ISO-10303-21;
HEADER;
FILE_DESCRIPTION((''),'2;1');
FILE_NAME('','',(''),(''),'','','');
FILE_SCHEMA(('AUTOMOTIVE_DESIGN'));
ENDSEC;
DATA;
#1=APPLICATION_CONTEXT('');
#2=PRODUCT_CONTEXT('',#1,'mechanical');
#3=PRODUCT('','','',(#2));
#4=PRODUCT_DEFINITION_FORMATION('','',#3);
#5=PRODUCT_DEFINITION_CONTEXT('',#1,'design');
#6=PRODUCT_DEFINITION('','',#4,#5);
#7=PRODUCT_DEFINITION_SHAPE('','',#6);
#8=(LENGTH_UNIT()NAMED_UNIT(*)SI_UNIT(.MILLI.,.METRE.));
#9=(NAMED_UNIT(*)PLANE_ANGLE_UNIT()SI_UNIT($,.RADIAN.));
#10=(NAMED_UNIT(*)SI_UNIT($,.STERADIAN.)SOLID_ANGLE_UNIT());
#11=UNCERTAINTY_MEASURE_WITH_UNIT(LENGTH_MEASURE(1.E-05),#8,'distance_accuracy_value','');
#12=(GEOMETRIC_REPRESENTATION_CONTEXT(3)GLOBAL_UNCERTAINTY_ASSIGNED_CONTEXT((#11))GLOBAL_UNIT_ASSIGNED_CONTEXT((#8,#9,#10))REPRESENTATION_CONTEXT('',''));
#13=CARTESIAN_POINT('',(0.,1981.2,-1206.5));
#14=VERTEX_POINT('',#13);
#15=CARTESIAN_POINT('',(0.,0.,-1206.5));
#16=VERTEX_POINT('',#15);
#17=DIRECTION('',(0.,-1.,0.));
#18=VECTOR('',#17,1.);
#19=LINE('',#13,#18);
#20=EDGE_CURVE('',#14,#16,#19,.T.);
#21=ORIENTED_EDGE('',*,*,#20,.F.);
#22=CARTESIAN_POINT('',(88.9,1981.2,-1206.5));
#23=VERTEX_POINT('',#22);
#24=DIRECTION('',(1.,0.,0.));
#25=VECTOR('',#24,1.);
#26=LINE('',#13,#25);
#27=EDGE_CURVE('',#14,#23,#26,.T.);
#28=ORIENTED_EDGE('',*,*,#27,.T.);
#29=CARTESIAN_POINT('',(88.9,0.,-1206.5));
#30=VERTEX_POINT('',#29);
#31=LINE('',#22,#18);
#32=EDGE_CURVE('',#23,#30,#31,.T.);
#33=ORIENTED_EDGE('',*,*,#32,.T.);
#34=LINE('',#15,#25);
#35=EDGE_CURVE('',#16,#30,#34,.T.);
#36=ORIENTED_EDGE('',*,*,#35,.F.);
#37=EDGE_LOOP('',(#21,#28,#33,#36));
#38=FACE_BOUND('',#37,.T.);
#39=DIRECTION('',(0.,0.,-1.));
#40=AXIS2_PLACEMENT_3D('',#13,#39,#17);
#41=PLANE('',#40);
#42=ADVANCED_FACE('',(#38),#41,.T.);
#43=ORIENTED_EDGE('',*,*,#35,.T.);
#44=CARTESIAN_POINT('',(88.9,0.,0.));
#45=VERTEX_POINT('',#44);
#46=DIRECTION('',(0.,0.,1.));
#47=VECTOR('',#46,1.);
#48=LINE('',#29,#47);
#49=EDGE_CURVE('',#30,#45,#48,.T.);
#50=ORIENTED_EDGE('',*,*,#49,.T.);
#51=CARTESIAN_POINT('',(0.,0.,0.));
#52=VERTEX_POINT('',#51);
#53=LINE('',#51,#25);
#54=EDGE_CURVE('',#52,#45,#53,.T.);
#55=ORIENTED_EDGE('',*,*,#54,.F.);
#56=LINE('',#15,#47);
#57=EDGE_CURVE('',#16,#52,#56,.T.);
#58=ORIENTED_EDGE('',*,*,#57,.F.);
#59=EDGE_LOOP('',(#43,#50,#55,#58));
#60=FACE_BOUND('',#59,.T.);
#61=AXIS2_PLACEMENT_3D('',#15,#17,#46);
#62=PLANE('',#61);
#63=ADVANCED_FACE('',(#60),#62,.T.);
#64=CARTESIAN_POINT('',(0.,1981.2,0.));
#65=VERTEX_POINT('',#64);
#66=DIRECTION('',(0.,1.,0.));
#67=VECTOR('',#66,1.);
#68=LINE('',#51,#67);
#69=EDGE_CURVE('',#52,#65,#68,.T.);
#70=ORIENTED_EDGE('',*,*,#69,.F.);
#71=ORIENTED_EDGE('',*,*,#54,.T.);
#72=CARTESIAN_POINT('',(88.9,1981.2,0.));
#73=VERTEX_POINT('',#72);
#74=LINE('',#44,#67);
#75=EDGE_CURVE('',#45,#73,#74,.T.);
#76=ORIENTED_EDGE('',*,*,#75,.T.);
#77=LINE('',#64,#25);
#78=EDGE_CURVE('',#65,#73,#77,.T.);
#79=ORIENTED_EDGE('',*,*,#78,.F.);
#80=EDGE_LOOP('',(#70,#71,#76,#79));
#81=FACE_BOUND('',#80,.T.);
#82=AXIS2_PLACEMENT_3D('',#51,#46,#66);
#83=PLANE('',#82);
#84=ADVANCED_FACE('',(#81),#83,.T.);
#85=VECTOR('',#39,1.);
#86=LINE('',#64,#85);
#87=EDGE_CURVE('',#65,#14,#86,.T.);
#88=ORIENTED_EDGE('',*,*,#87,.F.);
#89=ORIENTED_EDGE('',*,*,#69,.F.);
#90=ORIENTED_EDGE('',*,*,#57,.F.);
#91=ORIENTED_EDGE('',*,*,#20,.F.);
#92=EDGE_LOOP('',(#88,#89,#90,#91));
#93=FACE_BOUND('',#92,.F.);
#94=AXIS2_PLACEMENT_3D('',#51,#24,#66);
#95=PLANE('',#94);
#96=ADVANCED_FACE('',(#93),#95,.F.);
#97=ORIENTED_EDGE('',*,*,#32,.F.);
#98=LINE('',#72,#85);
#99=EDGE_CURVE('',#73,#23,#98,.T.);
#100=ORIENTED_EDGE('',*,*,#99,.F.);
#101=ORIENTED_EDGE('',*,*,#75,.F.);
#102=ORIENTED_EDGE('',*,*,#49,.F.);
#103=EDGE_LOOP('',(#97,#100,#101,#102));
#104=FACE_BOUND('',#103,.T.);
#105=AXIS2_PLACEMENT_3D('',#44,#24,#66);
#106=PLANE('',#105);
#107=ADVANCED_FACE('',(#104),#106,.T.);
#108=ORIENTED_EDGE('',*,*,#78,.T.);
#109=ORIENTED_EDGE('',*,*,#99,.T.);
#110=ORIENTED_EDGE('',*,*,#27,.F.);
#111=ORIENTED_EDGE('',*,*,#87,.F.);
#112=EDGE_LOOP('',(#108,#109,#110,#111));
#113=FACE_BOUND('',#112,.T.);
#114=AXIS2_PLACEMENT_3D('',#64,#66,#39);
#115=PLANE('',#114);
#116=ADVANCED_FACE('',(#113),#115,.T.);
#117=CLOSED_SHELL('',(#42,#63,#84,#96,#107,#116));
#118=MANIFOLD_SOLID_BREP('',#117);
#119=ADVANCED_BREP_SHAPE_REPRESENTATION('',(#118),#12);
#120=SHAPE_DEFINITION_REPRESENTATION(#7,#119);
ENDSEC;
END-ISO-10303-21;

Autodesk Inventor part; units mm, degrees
ref_plane "YZ Plane" through (0, 0, 0) normal (1, 0, 0) x (0, 1, 0)
ref_plane "XZ Plane" through (0, 0, 0) normal (0, 1, 0) x (-1, 0, 0)
ref_plane "XY Plane" through (0, 0, 0) normal (0, 0, 1) x (1, 0, 0)
sketch "Sketch1" plane through (0, 0, 0) normal (1, 0, 0) x (0, 1, 0)
  line L0 (0, 0) -> (1981.2, 0)
  line L1 (1981.2, 0) -> (1981.2, -1206.5)
  line L2 (1981.2, -1206.5) -> (0, -1206.5)
  line L3 (0, -1206.5) -> (0, 0)
  dimension "d2" = 1206.5
  dimension "d3" = 1981.2
extrude "Extrusion1" add sketch "Sketch1" along normal blind 88.9
properties part number "Rear_Wall_For_Existing_Stairwell" material "Wood (Southern Pine)"
